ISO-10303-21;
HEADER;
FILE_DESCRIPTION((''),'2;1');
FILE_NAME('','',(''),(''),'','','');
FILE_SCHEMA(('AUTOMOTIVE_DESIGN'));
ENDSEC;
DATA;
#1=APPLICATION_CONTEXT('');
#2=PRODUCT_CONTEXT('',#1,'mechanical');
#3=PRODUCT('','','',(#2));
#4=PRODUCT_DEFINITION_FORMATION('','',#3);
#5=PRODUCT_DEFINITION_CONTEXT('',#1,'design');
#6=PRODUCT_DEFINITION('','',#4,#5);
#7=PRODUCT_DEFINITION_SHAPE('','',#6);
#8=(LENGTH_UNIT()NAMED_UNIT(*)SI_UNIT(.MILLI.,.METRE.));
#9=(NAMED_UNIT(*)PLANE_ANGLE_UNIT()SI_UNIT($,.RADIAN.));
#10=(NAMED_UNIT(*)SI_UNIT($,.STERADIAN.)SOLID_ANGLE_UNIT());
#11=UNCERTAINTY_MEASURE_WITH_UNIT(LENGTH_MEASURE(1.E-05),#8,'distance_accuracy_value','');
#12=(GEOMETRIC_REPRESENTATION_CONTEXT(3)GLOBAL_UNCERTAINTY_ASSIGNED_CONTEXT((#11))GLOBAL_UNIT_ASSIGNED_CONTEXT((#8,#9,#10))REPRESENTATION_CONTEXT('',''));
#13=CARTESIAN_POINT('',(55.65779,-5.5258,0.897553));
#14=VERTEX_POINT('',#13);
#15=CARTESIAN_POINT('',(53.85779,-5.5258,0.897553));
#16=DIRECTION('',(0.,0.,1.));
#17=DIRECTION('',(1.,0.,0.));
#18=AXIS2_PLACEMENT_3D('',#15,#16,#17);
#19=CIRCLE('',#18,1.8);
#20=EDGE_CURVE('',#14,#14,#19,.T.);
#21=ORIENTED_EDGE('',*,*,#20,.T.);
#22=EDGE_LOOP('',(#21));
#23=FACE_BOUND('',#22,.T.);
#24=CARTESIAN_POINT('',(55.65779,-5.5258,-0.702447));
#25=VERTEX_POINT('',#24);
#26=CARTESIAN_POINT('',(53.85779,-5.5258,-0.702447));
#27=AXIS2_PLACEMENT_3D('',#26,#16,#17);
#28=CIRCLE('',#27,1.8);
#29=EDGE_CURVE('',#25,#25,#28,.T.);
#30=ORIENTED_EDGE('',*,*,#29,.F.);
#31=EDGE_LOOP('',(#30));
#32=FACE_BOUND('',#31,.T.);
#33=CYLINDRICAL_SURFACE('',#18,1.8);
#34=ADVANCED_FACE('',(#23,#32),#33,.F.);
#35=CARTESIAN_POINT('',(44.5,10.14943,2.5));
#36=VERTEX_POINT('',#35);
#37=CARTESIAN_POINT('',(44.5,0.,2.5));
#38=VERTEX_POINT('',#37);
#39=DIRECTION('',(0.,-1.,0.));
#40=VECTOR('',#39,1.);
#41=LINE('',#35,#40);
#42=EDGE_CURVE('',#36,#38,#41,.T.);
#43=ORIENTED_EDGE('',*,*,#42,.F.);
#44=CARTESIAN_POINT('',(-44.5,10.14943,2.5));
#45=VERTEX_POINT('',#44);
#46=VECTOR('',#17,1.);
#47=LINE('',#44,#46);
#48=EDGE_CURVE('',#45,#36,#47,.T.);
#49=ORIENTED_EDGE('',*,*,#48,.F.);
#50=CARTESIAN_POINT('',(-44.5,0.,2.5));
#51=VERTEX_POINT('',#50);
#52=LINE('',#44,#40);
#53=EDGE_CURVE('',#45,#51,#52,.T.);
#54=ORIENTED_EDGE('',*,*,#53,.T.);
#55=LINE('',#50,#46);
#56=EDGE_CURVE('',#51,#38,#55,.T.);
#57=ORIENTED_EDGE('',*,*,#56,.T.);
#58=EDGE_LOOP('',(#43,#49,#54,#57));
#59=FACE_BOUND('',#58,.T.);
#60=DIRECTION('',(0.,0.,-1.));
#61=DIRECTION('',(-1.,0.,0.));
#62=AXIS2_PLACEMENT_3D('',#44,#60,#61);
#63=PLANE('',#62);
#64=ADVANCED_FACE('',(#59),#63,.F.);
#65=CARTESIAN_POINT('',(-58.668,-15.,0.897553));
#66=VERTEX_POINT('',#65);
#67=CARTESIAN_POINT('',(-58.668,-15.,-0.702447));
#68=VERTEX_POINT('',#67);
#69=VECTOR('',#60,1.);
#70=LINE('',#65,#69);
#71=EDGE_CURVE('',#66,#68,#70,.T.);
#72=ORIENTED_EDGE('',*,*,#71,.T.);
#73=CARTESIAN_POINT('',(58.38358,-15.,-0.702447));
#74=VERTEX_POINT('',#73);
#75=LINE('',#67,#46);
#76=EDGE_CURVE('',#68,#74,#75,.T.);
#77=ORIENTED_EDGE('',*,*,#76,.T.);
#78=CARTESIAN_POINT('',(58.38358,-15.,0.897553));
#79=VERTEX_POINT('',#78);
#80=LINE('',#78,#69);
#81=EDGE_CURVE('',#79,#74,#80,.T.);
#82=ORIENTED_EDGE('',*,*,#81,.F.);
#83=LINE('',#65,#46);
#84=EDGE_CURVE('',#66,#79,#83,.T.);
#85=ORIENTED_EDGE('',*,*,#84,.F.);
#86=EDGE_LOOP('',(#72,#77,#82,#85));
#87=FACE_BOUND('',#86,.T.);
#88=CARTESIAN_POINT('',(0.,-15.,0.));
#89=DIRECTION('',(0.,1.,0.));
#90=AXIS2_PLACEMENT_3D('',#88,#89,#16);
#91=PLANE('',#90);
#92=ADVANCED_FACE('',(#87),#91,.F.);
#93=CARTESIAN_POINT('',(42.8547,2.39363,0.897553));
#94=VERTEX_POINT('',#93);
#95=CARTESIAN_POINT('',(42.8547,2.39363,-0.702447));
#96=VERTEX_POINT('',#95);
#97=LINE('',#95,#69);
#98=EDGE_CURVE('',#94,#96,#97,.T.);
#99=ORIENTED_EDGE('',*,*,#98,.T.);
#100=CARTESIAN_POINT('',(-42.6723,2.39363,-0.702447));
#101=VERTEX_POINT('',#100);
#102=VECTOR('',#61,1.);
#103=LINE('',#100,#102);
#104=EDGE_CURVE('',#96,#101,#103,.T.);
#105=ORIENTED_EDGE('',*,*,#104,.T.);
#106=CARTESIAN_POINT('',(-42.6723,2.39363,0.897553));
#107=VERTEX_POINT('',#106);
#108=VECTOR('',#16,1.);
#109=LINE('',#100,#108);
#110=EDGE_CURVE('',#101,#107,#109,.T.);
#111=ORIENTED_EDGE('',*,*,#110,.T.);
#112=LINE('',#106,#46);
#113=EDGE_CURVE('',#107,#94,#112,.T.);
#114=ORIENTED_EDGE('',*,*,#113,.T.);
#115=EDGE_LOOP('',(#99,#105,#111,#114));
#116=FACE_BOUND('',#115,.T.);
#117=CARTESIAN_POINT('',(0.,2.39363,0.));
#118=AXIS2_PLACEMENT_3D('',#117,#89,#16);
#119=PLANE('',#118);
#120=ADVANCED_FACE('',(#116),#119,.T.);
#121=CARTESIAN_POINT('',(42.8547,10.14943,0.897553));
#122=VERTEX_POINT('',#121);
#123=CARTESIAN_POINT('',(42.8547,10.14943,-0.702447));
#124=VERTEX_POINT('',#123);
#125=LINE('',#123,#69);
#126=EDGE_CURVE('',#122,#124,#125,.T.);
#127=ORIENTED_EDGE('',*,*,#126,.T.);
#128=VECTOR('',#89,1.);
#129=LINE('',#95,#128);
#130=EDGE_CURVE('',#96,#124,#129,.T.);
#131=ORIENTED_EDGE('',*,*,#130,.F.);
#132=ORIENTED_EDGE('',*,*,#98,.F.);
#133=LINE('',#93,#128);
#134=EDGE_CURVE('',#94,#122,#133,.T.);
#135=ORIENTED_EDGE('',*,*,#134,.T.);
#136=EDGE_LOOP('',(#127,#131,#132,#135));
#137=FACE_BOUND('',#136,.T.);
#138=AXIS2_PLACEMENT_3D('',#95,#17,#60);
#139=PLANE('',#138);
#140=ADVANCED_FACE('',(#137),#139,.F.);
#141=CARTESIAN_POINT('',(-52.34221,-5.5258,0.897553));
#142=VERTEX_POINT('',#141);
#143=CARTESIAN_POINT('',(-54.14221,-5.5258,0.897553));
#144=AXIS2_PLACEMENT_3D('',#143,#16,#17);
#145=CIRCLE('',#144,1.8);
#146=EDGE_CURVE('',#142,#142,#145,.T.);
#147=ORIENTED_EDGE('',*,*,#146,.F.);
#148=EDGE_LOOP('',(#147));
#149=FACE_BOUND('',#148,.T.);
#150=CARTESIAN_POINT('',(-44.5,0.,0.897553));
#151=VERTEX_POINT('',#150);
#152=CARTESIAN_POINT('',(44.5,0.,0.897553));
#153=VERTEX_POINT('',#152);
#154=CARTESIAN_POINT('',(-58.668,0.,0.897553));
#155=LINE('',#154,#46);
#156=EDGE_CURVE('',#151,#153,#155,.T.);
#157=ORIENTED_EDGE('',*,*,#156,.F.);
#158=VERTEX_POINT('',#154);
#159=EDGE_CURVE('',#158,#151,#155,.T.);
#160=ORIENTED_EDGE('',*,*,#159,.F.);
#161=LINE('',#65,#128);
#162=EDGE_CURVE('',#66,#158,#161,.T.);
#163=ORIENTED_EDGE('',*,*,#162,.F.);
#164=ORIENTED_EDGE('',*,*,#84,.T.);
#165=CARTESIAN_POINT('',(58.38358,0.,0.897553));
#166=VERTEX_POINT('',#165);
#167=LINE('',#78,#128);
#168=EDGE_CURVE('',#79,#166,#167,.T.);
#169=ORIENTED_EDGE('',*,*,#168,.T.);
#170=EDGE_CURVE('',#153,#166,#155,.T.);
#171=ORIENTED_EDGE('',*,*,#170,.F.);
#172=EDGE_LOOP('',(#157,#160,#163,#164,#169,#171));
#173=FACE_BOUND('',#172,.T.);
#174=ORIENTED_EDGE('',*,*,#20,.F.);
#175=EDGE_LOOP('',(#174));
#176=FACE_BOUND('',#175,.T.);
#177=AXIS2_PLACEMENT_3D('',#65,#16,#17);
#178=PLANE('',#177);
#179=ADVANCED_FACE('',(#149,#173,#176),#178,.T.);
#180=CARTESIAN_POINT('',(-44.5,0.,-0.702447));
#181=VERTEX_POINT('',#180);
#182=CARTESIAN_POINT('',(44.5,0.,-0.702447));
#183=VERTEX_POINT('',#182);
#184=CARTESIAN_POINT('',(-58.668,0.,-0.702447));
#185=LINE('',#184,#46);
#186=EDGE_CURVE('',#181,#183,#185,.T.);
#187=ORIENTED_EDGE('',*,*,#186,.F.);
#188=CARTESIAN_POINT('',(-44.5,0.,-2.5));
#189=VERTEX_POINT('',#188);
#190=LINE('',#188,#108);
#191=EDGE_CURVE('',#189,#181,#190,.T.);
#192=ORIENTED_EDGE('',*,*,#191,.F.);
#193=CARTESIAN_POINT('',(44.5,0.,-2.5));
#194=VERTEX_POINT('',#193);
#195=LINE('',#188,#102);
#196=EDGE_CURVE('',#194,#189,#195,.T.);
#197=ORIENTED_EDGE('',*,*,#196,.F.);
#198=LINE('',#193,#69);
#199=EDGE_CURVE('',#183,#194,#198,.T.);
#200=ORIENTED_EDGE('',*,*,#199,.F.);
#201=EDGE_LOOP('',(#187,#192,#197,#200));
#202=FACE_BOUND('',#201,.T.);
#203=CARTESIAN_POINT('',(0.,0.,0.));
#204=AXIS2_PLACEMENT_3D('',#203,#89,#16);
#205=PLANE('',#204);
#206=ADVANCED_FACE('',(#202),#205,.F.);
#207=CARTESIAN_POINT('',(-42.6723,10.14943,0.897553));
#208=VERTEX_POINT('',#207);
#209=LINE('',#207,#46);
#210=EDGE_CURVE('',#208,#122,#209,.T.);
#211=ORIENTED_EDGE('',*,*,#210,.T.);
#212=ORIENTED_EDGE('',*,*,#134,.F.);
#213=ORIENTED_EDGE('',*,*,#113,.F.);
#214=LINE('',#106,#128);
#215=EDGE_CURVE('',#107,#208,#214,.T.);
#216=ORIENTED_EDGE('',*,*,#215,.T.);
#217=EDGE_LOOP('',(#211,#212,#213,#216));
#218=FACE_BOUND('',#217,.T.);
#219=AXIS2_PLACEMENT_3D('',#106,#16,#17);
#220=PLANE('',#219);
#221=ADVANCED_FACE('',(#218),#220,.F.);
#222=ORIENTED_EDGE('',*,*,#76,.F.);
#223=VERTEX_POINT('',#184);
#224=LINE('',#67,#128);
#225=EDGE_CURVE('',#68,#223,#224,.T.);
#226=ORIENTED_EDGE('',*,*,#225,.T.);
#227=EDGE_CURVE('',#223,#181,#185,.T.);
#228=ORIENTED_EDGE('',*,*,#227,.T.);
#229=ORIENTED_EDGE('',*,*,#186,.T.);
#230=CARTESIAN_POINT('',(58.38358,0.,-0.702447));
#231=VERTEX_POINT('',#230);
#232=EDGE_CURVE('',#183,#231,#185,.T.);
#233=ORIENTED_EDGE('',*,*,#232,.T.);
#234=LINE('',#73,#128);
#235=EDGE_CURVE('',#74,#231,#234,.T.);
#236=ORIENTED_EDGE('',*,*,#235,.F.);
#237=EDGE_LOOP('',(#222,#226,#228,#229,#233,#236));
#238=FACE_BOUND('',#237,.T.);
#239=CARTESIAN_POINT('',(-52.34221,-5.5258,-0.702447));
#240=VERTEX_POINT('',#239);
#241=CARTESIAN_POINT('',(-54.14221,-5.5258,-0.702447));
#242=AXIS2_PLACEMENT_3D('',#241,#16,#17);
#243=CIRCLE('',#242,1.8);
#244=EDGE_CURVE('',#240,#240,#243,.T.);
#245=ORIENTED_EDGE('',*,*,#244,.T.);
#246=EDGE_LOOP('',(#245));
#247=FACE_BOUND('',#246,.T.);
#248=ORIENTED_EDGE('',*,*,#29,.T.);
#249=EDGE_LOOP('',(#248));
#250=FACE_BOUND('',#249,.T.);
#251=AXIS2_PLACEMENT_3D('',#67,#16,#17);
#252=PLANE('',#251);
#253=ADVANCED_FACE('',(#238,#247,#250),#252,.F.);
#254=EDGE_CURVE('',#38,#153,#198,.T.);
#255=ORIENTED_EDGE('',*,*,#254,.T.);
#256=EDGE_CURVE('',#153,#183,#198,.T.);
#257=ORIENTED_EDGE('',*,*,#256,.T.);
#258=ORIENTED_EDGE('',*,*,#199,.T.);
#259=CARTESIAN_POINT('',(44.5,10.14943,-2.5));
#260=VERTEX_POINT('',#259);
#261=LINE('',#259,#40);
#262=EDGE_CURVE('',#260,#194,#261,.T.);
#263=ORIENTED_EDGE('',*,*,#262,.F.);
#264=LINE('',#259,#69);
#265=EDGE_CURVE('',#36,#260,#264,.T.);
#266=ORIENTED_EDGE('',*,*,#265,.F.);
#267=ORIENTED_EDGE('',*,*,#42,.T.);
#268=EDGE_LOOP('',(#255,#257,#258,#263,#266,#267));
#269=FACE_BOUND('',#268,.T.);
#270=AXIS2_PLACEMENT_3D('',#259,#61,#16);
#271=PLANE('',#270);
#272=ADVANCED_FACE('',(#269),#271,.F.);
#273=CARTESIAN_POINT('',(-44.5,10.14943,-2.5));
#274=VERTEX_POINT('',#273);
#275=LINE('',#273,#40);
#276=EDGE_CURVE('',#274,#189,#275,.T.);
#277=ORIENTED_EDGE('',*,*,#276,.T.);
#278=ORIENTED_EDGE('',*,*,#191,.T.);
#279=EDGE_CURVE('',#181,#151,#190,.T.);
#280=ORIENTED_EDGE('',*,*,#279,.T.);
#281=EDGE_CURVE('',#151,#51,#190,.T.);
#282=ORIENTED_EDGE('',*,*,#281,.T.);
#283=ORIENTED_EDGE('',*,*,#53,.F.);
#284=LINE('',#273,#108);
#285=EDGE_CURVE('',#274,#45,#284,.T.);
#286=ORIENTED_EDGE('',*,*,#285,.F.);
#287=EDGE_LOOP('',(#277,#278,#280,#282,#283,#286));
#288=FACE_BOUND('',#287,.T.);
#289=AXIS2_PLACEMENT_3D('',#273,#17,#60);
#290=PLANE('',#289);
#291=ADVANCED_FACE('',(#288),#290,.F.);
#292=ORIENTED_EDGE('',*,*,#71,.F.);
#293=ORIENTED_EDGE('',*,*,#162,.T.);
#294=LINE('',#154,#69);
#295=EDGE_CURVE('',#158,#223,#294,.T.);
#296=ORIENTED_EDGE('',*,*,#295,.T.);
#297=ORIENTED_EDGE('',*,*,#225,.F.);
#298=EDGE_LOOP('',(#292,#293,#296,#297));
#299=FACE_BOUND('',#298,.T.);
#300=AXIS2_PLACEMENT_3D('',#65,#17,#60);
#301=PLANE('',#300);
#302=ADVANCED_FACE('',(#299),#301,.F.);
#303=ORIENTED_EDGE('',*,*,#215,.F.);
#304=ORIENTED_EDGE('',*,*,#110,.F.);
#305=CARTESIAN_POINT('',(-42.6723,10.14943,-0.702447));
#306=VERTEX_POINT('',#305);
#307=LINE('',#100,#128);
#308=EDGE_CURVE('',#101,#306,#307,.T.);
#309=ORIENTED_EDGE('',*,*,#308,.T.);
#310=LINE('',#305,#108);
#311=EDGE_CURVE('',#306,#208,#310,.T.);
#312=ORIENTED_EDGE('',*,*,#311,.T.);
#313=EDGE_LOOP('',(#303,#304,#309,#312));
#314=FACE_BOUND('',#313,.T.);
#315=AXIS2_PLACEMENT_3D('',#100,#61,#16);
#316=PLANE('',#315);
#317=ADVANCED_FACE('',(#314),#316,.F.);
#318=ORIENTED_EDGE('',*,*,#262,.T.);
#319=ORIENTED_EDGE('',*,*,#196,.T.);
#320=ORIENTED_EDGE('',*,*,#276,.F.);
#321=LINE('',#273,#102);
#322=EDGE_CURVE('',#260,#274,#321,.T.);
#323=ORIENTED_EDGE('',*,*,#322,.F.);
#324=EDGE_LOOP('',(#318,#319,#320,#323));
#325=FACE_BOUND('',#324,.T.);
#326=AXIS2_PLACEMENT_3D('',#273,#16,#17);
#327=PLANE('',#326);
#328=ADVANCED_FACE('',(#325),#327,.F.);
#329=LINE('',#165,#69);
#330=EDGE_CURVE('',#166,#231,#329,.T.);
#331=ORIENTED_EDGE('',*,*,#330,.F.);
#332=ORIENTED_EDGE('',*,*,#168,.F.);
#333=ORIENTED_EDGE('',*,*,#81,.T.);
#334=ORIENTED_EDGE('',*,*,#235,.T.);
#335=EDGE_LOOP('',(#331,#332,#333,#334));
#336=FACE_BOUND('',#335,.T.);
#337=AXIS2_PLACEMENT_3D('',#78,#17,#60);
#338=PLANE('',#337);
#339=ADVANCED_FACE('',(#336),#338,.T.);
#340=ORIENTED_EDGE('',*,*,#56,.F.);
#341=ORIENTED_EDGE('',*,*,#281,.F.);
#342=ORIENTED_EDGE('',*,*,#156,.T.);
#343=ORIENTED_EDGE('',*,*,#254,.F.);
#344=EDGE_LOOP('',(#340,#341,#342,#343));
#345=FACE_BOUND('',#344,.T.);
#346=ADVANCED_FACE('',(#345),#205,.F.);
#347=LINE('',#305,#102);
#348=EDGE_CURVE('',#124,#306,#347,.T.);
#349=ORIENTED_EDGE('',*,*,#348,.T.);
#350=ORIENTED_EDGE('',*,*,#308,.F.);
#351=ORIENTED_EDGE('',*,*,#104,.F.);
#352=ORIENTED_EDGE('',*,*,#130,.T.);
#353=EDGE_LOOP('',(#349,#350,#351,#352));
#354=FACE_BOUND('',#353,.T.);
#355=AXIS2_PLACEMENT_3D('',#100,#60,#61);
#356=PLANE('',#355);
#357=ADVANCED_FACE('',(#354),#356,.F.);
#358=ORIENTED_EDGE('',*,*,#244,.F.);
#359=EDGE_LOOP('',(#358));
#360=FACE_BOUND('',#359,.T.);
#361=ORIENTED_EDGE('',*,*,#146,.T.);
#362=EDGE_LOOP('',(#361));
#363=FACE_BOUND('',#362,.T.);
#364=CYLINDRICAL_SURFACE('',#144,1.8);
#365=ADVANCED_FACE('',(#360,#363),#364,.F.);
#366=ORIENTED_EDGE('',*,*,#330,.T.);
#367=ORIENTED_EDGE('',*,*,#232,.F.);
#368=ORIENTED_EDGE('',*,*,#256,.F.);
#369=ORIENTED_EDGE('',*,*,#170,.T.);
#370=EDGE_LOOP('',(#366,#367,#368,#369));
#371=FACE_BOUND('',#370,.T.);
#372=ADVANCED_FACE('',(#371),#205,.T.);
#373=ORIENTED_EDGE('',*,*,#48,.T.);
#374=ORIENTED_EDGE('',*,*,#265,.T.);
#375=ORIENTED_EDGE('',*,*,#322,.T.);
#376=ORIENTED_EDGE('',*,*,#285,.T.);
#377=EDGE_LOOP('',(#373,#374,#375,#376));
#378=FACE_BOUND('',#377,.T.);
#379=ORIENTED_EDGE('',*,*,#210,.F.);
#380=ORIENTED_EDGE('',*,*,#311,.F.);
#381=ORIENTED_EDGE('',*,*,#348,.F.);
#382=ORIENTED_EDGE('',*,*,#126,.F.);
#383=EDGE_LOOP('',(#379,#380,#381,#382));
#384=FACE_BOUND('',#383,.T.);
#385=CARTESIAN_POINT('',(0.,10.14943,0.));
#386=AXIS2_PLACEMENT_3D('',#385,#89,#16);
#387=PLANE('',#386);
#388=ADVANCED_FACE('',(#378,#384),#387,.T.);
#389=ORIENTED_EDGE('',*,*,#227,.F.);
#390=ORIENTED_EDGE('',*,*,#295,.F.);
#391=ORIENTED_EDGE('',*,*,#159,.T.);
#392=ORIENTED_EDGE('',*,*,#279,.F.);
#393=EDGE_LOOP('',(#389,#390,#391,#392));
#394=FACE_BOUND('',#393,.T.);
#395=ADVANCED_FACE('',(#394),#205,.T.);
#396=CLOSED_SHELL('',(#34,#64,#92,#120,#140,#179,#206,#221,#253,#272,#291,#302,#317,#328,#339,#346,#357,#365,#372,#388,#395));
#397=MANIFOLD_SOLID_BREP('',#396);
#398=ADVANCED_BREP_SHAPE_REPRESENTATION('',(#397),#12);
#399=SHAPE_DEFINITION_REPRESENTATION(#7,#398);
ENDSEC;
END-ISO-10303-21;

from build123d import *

# Parameters (mm, degrees)
SKETCH1_W            = 89
SKETCH1_H            = 5
BOSS_EXTRUDE1_DEPTH  = 10.14943
SKETCH2_W            = 85.527
SKETCH2_H            = 1.6
CUT_EXTRUDE1_DEPTH   = 7.7558
SKETCH3_W            = 117.05158
SKETCH3_H            = 1.6
BOSS_EXTRUDE2_DEPTH  = 15
M3_CLEARANCE_HOLE1_D = 3.6


with BuildPart() as part:
    # Sketch1 → Boss-Extrude1 (new body)
    with BuildSketch(Plane(origin=(0, 0, 0), x_dir=(1, 0, 0), z_dir=(0, 1, 0))):
        Rectangle(SKETCH1_W, SKETCH1_H)
    extrude(amount=BOSS_EXTRUDE1_DEPTH)

    # Sketch2 → Cut-Extrude1 (cut)
    with BuildSketch(Plane(origin=(0, 10.14943, 0), x_dir=(1, 0, 0), z_dir=(0, 1, 0))):
        with Locations((0.0912, -0.097552871)):
            Rectangle(SKETCH2_W, SKETCH2_H)
    extrude(amount=-CUT_EXTRUDE1_DEPTH, mode=Mode.SUBTRACT)

    # Sketch3 → Boss-Extrude2 (add)
    with BuildSketch(Plane.XZ):
        with Locations((-0.14221, 0.097552871)):
            Rectangle(SKETCH3_W, SKETCH3_H)
    extrude(amount=BOSS_EXTRUDE2_DEPTH)

    # M3 Clearance Hole1 (through all)
    with Locations(Plane.XY.offset(0.897552871)):
        with Locations((-54.14221, -5.5258), (53.85779, -5.5258)):
            Hole(M3_CLEARANCE_HOLE1_D / 2)


solid = part.part
